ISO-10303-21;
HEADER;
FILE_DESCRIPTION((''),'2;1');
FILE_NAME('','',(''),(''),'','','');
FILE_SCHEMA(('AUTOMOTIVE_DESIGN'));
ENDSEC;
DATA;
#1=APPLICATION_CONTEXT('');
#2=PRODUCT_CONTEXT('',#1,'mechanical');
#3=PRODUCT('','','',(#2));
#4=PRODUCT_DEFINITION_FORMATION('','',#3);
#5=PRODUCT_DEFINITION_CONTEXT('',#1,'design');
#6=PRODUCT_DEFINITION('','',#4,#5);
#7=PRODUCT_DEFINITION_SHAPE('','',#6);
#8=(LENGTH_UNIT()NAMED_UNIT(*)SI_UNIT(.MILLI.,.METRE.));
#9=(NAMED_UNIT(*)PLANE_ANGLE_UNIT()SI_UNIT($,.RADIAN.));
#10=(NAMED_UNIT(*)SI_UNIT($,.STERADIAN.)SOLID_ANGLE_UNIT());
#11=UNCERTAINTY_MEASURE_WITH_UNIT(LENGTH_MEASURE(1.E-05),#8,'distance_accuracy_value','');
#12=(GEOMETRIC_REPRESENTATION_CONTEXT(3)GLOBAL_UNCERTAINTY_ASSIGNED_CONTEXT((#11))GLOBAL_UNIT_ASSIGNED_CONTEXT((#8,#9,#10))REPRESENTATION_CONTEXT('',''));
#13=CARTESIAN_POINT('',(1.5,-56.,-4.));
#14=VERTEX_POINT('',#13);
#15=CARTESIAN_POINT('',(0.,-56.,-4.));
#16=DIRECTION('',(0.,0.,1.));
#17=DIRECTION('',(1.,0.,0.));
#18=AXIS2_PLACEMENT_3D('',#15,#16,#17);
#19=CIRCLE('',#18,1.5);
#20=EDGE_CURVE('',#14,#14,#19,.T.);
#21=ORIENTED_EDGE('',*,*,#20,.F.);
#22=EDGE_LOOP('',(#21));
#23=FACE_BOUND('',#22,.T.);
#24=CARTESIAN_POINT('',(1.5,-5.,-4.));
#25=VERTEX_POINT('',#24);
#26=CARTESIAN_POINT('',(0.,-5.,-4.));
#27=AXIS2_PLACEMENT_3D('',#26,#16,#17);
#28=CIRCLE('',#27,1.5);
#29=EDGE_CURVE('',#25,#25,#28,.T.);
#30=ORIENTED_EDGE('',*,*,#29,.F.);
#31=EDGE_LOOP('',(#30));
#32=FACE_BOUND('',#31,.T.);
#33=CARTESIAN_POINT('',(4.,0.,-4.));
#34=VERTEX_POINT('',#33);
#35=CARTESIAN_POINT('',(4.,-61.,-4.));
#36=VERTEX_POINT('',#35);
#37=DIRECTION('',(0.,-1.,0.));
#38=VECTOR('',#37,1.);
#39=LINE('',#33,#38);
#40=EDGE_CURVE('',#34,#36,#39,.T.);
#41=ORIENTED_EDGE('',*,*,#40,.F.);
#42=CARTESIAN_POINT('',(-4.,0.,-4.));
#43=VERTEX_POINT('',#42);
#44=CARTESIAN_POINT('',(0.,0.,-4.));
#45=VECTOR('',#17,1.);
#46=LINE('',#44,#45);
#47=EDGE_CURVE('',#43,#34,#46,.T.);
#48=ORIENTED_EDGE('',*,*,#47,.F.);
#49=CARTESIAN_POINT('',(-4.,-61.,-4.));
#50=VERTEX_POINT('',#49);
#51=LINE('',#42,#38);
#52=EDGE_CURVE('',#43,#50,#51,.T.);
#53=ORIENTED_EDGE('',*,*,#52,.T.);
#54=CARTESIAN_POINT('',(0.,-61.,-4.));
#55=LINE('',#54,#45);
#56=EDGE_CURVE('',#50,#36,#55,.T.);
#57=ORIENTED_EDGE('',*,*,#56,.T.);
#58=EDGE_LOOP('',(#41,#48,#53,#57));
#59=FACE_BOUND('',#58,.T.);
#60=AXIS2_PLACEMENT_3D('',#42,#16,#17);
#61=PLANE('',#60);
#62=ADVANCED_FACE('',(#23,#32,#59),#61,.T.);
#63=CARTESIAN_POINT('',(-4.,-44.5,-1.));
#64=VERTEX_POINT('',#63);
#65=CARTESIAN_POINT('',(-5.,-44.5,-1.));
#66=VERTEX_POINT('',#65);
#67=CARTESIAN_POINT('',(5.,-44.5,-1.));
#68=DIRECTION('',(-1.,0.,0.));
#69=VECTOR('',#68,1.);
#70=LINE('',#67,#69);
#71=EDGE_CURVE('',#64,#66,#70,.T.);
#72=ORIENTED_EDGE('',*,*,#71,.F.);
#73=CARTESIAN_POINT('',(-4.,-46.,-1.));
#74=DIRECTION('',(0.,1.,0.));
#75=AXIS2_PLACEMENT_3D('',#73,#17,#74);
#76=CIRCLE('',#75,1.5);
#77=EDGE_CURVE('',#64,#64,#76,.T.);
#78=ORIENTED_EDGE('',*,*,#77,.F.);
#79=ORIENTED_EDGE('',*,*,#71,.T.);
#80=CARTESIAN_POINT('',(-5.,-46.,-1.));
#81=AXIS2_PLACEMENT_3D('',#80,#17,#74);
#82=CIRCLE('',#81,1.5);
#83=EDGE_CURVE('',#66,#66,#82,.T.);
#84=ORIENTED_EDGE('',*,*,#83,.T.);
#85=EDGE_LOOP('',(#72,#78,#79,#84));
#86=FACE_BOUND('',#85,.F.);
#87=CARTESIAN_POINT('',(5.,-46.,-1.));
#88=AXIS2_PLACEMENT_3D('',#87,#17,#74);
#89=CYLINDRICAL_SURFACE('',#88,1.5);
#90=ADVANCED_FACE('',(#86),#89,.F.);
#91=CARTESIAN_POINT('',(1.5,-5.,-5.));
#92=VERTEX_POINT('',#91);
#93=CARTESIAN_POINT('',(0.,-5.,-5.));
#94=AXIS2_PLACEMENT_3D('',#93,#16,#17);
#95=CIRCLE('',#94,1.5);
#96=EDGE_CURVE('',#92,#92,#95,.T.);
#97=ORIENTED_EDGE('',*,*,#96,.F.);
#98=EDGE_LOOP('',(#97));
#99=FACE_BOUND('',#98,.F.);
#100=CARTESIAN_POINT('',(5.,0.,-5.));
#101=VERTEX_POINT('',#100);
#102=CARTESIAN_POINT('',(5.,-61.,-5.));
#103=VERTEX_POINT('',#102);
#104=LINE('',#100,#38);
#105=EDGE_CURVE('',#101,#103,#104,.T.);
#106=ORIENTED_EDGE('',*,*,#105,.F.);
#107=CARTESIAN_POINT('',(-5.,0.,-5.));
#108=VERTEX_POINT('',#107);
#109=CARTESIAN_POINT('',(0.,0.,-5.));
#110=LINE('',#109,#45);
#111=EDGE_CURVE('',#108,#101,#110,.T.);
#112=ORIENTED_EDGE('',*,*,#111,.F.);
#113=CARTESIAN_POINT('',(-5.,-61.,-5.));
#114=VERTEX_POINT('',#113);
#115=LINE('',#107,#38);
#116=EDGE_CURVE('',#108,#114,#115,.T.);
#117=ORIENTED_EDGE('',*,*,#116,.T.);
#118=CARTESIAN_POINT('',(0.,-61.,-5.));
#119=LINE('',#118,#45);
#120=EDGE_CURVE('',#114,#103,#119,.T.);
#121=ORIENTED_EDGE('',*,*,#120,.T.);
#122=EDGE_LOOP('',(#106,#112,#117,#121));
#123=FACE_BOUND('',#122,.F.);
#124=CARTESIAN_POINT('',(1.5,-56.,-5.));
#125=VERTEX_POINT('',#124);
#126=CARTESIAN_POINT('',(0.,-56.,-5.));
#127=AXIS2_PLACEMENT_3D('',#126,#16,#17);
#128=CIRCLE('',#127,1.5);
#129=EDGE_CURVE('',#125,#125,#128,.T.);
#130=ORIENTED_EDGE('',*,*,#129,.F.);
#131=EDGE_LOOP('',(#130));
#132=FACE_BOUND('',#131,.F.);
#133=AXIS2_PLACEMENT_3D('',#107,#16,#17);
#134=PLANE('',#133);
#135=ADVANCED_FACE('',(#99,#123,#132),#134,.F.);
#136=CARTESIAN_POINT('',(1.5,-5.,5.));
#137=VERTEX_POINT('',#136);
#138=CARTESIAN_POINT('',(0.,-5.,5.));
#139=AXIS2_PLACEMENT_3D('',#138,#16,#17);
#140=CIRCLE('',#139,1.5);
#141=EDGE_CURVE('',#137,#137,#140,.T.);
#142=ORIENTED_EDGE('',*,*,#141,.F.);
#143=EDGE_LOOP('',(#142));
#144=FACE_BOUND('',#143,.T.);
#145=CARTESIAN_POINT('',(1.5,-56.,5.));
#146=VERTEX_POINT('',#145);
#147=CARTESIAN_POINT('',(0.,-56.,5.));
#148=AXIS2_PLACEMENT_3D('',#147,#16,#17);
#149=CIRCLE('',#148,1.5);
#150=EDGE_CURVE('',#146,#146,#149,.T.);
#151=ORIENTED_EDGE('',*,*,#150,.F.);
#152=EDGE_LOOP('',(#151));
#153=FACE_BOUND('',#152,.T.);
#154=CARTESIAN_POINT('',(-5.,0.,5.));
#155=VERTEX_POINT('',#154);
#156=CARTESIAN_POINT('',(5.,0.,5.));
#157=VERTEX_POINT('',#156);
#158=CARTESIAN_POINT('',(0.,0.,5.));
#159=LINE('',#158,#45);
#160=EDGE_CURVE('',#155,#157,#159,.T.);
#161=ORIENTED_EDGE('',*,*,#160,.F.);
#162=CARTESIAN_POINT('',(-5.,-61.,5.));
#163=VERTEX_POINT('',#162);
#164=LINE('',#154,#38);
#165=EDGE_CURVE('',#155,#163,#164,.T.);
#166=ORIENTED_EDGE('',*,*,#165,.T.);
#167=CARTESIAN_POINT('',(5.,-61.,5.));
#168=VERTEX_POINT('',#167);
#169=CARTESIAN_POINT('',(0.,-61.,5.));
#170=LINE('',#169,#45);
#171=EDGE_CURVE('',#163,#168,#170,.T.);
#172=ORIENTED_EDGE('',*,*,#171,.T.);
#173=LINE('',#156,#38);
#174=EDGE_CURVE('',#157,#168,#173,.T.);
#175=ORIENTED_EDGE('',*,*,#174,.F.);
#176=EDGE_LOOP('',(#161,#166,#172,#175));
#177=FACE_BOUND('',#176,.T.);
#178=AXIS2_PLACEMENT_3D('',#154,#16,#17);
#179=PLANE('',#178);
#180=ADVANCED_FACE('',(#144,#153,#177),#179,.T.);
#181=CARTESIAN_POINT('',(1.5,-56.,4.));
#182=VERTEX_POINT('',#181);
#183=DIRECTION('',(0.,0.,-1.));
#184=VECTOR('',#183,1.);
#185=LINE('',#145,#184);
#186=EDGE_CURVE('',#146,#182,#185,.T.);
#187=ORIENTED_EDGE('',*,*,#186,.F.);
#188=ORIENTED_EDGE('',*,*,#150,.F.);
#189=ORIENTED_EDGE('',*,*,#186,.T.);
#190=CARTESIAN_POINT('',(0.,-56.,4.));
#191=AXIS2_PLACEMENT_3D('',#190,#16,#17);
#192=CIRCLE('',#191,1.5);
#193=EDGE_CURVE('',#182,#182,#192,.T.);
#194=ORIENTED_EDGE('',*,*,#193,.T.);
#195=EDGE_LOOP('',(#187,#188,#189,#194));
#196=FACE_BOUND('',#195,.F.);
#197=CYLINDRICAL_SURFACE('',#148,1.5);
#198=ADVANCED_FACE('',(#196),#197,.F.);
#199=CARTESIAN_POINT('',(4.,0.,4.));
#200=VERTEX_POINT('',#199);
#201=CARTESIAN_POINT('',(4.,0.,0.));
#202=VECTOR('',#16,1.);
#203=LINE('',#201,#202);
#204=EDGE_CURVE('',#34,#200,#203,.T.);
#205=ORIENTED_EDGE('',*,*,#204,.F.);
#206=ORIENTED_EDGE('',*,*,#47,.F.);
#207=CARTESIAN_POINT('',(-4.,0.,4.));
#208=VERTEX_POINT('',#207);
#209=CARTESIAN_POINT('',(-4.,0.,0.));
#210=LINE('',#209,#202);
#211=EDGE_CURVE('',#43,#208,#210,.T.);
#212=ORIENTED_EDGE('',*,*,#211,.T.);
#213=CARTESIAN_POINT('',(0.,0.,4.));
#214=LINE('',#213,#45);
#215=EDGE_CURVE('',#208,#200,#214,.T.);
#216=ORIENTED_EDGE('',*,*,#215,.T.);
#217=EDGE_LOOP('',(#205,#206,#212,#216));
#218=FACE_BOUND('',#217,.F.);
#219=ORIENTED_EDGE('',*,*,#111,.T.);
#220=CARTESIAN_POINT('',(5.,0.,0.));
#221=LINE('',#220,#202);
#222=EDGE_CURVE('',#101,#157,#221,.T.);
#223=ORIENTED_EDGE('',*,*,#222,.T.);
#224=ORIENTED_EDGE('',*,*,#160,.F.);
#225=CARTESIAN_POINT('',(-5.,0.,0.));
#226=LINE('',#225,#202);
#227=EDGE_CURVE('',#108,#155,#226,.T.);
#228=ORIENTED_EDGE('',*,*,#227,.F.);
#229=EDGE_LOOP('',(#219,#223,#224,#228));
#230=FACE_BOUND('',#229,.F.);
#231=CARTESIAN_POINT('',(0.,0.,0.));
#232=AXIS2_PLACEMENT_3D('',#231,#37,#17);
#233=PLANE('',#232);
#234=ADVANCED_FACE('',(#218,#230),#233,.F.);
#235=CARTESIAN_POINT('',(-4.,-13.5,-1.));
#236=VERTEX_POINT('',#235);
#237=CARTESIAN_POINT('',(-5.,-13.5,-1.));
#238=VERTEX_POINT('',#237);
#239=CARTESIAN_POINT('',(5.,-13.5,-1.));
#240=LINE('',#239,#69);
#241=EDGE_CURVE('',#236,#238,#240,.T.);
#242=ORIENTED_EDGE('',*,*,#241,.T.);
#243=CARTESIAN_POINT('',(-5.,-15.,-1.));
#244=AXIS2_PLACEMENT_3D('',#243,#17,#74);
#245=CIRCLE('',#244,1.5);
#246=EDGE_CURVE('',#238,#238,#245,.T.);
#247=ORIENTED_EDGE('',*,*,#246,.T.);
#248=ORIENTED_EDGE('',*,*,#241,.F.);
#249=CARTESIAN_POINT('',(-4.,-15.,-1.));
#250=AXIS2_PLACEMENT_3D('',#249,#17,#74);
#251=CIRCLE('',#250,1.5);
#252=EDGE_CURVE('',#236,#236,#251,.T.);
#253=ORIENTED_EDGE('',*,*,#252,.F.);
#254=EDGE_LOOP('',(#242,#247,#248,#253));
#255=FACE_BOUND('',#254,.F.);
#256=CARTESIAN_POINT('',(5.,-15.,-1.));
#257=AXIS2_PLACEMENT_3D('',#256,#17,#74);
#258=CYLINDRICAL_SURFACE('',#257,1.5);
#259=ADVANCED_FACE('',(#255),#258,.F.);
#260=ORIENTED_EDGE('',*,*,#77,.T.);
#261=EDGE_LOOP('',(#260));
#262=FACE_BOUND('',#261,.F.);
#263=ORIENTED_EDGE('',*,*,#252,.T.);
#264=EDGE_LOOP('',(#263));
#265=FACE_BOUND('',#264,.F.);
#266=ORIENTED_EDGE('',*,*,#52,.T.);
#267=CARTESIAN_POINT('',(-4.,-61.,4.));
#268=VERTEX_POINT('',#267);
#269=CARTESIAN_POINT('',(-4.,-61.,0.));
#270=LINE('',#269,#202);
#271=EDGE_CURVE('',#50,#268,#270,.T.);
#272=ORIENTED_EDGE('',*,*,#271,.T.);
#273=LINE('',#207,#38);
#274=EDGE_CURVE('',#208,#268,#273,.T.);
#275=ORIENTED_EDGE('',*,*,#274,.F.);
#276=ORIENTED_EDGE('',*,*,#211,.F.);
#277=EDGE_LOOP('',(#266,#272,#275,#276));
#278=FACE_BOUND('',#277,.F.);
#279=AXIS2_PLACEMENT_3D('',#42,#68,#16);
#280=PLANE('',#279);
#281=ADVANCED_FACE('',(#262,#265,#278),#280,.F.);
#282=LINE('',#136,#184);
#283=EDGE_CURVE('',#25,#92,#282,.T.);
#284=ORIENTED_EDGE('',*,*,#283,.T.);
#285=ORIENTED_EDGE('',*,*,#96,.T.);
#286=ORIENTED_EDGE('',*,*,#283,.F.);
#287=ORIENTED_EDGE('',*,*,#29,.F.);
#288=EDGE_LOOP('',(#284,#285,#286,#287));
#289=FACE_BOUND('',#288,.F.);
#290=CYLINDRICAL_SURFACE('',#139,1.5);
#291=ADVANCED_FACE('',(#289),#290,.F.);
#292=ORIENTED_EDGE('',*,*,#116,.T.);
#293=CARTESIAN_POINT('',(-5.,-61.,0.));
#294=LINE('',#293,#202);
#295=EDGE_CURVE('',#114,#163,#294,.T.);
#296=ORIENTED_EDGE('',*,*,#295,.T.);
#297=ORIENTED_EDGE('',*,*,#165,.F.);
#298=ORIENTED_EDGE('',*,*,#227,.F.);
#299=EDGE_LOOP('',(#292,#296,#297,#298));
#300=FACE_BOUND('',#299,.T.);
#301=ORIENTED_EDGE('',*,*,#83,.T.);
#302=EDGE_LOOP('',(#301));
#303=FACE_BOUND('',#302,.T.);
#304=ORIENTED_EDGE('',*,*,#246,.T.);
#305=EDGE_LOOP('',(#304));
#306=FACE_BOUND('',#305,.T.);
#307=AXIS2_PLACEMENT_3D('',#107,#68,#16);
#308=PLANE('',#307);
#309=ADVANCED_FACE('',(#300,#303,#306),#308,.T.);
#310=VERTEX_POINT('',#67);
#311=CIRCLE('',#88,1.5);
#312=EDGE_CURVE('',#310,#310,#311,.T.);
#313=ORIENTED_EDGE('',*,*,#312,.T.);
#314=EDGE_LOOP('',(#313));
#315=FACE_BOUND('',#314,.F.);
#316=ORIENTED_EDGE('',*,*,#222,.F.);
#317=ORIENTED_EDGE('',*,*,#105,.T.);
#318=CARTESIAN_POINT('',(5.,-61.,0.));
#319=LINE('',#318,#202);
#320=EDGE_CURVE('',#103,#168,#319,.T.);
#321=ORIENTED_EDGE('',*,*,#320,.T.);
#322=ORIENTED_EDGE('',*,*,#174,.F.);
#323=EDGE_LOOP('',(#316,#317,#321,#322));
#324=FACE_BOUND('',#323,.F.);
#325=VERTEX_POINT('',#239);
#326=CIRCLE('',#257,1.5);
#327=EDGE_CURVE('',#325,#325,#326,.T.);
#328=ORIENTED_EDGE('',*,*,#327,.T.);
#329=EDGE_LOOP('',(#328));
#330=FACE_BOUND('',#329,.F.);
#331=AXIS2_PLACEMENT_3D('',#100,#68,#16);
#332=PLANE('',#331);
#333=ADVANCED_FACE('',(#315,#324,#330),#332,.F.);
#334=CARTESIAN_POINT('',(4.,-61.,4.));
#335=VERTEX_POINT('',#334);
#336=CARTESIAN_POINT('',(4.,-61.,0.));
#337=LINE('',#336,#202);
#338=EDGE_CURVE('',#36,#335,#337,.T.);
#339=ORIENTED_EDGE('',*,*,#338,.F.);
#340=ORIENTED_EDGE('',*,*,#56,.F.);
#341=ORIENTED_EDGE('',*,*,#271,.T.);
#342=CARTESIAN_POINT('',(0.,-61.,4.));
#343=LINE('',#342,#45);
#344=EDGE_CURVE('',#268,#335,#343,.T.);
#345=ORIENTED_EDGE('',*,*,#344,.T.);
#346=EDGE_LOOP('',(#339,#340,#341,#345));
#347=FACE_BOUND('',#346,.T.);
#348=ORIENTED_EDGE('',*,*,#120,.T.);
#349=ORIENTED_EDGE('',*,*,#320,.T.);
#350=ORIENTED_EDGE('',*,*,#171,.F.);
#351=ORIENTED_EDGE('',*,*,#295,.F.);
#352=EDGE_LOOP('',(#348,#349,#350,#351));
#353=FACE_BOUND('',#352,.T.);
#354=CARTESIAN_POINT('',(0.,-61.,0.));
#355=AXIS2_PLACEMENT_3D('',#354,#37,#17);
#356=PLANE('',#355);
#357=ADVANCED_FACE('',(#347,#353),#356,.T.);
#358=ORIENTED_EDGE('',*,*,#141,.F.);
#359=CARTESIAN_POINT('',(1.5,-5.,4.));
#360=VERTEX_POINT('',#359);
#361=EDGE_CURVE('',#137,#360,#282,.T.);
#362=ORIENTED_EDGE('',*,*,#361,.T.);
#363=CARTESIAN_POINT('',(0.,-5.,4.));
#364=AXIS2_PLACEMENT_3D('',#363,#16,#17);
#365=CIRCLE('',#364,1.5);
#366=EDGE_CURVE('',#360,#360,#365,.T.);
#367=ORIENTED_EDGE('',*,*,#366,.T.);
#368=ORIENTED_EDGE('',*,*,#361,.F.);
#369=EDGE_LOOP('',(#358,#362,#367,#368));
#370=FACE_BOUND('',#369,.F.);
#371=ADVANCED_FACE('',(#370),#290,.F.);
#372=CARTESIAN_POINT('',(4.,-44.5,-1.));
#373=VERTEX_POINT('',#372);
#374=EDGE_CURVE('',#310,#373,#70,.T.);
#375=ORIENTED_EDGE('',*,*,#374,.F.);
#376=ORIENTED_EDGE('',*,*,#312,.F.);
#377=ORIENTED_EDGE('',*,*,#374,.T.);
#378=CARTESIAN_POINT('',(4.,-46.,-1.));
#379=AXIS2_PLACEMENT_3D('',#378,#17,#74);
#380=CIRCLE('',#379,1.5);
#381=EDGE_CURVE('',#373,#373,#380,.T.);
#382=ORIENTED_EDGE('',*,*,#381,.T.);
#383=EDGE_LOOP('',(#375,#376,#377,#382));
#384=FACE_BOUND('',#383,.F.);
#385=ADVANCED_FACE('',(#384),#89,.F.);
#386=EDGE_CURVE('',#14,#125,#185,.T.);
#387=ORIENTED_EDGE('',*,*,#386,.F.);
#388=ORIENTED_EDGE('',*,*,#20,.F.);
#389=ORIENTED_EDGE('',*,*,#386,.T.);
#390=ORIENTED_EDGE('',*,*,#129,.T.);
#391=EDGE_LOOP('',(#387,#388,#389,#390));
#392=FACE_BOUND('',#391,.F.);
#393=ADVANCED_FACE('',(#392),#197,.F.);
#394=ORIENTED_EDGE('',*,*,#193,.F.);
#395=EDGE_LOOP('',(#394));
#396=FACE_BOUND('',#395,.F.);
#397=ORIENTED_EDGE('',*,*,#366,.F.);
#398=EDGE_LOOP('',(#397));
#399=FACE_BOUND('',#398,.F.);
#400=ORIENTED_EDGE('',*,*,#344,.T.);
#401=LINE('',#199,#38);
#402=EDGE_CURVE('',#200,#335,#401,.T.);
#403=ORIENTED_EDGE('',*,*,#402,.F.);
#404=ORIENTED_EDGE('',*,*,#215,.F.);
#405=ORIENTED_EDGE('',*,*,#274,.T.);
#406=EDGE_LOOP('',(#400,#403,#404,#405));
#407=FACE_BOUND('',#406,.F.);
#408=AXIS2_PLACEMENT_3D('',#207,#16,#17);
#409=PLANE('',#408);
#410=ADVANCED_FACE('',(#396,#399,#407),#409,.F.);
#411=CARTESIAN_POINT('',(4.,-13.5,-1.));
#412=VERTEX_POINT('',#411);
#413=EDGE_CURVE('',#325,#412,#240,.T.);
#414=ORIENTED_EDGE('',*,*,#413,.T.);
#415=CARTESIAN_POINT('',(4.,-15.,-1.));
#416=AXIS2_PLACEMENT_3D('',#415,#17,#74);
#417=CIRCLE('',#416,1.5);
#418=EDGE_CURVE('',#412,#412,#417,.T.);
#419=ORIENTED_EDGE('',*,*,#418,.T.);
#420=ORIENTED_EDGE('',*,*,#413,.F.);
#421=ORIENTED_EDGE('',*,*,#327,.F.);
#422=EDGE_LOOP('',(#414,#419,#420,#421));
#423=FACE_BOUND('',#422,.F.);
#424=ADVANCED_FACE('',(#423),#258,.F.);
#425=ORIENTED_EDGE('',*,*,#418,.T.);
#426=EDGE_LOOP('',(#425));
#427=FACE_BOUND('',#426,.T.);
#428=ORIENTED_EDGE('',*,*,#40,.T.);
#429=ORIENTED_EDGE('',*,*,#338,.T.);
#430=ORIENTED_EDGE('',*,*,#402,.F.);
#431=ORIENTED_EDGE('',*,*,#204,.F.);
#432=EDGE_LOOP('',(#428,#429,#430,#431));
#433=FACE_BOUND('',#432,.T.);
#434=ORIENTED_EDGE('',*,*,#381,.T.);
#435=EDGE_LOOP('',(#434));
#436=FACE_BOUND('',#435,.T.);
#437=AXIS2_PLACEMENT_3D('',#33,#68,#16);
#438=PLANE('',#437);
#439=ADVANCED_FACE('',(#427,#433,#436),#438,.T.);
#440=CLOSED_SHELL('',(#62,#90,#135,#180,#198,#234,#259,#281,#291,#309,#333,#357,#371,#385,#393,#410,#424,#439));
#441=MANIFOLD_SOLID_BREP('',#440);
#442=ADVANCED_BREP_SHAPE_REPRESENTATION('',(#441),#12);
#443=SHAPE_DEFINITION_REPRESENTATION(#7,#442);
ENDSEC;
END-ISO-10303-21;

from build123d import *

# Parameters (mm, degrees)
F0_W     = 10
F0_H     = 10
F0_W_2   = 8
F0_H_2   = 8
F1_DEPTH = 61
F2_R     = 1.5
F3_DEPTH = 25
F4_R     = 1.5
F5_DEPTH = 25


with BuildPart() as f1:
    # F0 (on Front) → F1 (new body)
    with BuildSketch(Plane.XZ):
        Rectangle(F0_W, F0_H)
        Rectangle(F0_W_2, F0_H_2, mode=Mode.SUBTRACT)
    extrude(amount=F1_DEPTH)

    # F2 (on face) → F3 (cut)
    with BuildSketch(Plane.XY.offset(5)):
        with Locations((0, -5)):
            Circle(F2_R)
        with Locations((0, -56)):
            Circle(F2_R)
    extrude(amount=-F3_DEPTH, mode=Mode.SUBTRACT)

    # F4 (on face) → F5 (cut)
    with BuildSketch(Plane.YZ.offset(5)):
        with Locations((-15, -1)):
            Circle(F4_R)
        with Locations((-46, -1)):
            Circle(F4_R)
    extrude(amount=-F5_DEPTH, mode=Mode.SUBTRACT)


solid = f1.part
